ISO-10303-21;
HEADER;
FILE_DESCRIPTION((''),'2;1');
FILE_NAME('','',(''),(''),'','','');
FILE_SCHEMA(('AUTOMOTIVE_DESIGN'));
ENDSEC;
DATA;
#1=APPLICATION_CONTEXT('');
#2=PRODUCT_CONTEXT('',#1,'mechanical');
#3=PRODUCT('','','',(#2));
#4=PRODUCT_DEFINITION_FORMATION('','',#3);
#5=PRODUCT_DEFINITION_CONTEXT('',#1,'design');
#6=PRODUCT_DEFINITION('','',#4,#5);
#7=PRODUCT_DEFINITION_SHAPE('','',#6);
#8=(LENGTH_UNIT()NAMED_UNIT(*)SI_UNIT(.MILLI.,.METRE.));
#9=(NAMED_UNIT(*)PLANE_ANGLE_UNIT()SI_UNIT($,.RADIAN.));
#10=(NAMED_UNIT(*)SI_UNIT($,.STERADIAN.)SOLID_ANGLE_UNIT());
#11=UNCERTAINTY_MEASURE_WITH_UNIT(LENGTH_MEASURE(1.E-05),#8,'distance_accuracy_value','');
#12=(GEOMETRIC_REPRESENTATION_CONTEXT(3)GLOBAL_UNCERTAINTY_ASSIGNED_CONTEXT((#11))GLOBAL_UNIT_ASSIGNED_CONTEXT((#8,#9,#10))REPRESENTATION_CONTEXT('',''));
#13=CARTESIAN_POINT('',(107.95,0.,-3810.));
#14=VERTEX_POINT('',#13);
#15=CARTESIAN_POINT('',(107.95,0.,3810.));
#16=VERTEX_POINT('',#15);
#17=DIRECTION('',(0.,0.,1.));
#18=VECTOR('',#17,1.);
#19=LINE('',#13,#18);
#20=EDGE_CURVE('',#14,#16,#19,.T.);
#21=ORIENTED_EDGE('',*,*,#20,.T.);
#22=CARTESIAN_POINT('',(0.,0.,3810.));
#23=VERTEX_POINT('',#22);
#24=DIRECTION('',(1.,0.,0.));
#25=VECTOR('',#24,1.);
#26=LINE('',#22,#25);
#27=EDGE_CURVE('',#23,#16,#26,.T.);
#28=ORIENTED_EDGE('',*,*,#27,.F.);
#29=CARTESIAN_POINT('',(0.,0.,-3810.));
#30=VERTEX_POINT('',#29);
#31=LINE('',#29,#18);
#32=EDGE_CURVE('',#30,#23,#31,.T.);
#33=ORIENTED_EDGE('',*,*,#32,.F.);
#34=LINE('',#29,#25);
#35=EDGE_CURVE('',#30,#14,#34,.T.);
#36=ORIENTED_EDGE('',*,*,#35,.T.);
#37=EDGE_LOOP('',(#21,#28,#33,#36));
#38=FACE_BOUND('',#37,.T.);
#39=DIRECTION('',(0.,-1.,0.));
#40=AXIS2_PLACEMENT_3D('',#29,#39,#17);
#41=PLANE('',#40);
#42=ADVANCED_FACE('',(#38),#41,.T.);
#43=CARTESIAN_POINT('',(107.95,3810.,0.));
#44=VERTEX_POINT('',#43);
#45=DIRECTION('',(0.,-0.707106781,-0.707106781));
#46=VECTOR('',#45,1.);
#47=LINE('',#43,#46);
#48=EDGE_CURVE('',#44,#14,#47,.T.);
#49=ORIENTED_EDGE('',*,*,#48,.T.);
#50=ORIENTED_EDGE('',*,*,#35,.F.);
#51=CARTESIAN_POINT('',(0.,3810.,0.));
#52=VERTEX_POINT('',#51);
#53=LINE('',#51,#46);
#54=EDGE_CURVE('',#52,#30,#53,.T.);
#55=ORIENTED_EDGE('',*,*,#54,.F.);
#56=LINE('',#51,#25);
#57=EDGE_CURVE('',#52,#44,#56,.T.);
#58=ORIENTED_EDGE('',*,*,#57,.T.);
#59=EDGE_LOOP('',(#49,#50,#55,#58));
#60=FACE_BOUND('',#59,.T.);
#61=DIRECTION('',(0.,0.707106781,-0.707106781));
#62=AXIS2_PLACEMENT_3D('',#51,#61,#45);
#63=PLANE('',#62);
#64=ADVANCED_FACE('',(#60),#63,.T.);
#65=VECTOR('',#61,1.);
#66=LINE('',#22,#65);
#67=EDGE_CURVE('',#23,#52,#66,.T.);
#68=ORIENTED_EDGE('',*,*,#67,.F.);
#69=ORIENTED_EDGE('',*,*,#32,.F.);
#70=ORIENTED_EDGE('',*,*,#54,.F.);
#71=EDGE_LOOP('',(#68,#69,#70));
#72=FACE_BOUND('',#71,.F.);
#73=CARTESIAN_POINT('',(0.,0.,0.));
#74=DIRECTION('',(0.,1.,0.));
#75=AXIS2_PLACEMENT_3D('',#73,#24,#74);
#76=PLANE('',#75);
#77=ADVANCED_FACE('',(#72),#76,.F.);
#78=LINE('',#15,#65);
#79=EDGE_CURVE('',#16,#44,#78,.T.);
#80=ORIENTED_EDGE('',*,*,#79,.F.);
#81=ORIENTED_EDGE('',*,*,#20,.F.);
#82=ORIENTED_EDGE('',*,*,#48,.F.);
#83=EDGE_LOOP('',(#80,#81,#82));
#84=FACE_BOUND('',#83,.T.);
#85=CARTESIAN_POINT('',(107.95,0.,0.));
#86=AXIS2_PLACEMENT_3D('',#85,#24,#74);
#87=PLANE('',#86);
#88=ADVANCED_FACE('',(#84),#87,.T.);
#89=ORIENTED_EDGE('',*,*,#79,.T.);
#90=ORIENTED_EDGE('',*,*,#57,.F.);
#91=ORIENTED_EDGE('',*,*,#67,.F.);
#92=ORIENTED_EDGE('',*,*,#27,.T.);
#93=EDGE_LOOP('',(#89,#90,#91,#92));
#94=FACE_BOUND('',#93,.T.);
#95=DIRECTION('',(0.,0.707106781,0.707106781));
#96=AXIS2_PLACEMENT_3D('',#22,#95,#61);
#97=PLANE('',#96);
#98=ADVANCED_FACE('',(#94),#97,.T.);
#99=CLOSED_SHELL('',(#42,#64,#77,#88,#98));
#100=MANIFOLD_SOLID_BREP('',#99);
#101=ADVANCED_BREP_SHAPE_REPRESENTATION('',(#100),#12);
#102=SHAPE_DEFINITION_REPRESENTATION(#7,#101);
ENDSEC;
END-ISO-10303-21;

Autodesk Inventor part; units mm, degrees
ref_plane "YZ Plane" through (0, 0, 0) normal (1, 0, 0) x (0, 1, 0)
ref_plane "XZ Plane" through (0, 0, 0) normal (0, 1, 0) x (-1, 0, 0)
ref_plane "XY Plane" through (0, 0, 0) normal (0, 0, 1) x (1, 0, 0)
sketch "Sketch1" plane through (0, 0, 0) normal (1, 0, 0) x (0, 1, 0)
  line L0 (0, 3810) -> (3810, 0)
  line L1 (3810, 0) -> (0, -3810)
  line L2 (0, -3810) -> (0, 3810)
  point P0 (0, 0)
  point P1 (0, 0)
  dimension "d1" = 7620
  dimension "d2" = 45
extrude "Extrusion1" add sketch "Sketch1" along normal blind 107.95
properties part number "Gable" material "Wood (Southern Pine)"
